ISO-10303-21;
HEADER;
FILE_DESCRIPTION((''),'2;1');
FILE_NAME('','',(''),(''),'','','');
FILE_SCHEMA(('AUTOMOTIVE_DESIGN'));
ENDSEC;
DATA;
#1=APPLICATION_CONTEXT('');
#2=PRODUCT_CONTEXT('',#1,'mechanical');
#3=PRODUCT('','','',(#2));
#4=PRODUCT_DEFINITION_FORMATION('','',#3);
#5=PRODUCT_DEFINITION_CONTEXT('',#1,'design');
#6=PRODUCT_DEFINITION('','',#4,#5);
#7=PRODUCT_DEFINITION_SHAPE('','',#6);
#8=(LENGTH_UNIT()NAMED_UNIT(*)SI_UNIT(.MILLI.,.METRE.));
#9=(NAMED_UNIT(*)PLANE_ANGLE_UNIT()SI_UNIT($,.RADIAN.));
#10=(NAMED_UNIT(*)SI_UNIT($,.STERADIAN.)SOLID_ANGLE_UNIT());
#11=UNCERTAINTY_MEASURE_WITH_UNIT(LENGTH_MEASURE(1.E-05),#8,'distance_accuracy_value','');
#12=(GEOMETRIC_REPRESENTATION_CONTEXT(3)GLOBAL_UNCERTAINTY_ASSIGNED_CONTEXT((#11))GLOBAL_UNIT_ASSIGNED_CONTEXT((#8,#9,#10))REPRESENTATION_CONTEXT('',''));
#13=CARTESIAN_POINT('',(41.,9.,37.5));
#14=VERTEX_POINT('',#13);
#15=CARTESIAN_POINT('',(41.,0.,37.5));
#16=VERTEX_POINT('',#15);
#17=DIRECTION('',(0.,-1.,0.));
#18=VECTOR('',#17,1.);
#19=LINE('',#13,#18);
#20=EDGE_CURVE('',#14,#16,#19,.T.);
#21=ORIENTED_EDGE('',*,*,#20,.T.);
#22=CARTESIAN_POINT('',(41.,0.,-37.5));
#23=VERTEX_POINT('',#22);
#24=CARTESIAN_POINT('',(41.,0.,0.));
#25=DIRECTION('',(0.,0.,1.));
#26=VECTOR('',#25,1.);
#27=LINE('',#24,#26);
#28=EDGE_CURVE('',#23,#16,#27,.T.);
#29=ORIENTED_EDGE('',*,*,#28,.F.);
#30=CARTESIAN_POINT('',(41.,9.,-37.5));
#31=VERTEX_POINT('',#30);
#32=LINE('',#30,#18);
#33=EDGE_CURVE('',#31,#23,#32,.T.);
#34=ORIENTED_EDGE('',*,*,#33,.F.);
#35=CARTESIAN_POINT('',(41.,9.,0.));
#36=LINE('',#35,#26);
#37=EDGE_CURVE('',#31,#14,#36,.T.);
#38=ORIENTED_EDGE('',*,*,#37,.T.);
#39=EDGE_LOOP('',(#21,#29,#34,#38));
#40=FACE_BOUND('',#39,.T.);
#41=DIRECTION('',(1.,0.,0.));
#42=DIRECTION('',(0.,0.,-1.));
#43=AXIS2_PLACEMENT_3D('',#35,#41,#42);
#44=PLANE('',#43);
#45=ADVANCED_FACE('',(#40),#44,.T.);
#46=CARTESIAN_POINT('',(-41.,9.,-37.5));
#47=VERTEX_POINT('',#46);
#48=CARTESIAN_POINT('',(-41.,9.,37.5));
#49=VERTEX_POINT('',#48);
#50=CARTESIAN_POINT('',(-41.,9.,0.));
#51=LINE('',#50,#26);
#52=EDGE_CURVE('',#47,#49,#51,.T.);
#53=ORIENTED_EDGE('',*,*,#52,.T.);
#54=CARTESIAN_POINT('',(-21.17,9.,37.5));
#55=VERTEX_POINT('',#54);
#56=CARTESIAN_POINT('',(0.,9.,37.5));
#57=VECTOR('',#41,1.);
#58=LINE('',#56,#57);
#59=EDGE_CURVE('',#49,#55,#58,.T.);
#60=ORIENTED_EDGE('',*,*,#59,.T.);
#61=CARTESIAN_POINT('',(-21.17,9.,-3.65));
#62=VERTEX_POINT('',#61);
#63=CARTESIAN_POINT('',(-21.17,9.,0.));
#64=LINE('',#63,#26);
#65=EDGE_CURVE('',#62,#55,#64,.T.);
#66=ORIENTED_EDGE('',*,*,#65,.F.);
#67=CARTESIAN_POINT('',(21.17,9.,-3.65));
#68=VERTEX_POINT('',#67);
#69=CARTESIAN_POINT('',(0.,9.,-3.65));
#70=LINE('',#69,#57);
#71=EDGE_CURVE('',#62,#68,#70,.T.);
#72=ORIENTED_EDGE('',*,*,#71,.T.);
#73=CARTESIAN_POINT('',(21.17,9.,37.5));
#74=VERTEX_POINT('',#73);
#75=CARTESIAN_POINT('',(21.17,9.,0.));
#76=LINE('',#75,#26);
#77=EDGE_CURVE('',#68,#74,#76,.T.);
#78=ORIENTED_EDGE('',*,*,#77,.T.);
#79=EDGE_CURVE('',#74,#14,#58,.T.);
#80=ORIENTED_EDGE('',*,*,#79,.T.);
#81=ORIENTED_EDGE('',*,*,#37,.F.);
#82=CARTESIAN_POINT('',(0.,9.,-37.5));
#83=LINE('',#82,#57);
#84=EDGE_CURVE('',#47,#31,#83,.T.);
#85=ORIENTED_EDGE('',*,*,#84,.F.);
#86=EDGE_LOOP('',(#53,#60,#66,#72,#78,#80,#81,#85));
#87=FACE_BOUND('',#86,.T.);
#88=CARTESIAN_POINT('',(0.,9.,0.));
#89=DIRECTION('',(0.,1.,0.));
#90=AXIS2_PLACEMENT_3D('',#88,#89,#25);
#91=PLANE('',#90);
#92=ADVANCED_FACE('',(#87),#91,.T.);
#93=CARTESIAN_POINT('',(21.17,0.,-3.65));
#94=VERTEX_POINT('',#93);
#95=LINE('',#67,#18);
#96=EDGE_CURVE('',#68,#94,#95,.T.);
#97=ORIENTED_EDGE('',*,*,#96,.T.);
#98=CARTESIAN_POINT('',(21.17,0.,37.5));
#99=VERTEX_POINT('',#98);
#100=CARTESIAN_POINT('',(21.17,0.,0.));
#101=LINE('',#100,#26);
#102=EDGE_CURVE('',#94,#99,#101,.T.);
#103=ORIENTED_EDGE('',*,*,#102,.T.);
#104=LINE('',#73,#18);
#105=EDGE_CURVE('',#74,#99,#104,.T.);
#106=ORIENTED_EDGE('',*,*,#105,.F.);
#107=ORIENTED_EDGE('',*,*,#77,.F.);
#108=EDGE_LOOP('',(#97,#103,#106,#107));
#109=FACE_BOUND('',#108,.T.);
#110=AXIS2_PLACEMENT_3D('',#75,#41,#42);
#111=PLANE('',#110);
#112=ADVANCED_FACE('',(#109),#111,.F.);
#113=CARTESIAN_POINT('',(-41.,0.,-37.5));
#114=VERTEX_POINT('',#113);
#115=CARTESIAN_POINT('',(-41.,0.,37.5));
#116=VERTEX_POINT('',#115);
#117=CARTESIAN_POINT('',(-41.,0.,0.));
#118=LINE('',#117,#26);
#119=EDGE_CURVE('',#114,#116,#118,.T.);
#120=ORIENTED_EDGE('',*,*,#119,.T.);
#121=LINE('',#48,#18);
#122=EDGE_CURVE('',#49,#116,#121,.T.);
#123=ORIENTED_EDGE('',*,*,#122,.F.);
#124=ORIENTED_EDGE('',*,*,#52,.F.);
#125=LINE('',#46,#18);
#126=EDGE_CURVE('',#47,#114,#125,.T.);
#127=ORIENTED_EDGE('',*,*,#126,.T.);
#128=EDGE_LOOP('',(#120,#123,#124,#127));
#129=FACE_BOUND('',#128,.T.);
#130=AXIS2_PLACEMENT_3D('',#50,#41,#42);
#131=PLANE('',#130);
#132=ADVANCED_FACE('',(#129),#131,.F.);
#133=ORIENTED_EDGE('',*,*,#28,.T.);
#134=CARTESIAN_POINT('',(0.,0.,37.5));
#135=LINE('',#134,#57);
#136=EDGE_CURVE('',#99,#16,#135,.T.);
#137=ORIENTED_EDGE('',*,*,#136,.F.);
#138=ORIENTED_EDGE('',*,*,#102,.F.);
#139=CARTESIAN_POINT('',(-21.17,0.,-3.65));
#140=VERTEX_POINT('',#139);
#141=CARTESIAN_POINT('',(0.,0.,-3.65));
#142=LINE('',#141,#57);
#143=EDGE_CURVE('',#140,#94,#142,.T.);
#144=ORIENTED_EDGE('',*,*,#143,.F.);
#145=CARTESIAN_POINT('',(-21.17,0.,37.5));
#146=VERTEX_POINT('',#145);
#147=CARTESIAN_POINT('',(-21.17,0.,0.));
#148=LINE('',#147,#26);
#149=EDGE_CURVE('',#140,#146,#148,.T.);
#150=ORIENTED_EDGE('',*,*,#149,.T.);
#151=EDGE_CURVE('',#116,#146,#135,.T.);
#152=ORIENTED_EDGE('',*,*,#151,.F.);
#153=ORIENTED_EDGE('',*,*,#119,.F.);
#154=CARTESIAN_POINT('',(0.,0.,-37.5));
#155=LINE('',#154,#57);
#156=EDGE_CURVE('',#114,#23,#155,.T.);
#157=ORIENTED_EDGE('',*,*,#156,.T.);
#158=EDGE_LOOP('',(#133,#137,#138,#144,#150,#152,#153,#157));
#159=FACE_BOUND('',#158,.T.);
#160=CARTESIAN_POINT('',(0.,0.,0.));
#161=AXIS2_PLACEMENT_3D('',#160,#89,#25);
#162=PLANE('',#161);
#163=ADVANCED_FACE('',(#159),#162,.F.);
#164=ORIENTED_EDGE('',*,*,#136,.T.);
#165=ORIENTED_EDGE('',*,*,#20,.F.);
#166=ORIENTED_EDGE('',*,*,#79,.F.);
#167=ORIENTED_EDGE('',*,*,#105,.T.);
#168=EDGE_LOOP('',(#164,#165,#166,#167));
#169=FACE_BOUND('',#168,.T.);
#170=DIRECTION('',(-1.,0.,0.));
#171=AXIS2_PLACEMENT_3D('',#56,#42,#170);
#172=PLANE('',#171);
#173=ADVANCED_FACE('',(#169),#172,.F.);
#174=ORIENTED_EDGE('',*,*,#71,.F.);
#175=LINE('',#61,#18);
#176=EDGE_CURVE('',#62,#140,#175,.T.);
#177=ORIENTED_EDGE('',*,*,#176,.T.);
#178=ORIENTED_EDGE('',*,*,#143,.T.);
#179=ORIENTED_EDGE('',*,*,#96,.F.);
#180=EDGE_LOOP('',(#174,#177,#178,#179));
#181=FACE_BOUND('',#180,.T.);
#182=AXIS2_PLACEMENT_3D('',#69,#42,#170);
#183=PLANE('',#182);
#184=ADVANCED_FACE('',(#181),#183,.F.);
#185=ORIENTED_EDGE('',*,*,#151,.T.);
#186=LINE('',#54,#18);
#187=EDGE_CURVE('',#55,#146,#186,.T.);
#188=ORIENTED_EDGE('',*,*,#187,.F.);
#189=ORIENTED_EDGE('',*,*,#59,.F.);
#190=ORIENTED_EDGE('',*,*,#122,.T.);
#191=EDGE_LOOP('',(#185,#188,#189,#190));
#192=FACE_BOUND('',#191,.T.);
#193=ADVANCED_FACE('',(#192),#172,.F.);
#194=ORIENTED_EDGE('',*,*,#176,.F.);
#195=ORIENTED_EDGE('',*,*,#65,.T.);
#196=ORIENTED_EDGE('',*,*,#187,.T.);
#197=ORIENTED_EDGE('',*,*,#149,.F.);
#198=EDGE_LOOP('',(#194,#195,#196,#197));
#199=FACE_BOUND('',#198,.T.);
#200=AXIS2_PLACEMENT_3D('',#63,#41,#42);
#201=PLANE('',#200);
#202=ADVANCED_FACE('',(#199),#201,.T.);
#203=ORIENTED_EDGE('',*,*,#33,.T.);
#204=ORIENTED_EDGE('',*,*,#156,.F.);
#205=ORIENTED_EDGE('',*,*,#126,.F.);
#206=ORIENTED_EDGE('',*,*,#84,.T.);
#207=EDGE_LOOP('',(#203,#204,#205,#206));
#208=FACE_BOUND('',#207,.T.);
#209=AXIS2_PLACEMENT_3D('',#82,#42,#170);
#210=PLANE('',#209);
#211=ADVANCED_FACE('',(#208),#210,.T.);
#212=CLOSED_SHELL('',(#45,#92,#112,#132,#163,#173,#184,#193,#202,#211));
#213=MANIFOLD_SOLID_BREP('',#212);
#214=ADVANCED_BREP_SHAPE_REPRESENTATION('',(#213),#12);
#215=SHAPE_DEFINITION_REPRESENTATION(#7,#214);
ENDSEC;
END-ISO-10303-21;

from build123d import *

# Parameters (mm, degrees)
SKETCH1_W           = 19.83
SKETCH1_H           = 41.15
SKETCH1_H_2         = 33.85
SKETCH1_W_2         = 42.34
BOSS_EXTRUDE1_DEPTH = 9


with BuildPart() as part:
    # Sketch1 → Boss-Extrude1 (new body)
    with BuildSketch(Plane(origin=(0, 0, 0), x_dir=(1, 0, 0), z_dir=(0, 1, 0))):
        with Locations((-31.085, -16.925)):
            Rectangle(SKETCH1_W, SKETCH1_H)
        with Locations((-31.085, 20.575)):
            Rectangle(SKETCH1_W, SKETCH1_H_2)
        with Locations((0, 20.575)):
            Rectangle(SKETCH1_W_2, SKETCH1_H_2)
        with Locations((31.085, 20.575)):
            Rectangle(SKETCH1_W, SKETCH1_H_2)
        with Locations((31.085, -16.925)):
            Rectangle(SKETCH1_W, SKETCH1_H)
    extrude(amount=BOSS_EXTRUDE1_DEPTH)


solid = part.part
